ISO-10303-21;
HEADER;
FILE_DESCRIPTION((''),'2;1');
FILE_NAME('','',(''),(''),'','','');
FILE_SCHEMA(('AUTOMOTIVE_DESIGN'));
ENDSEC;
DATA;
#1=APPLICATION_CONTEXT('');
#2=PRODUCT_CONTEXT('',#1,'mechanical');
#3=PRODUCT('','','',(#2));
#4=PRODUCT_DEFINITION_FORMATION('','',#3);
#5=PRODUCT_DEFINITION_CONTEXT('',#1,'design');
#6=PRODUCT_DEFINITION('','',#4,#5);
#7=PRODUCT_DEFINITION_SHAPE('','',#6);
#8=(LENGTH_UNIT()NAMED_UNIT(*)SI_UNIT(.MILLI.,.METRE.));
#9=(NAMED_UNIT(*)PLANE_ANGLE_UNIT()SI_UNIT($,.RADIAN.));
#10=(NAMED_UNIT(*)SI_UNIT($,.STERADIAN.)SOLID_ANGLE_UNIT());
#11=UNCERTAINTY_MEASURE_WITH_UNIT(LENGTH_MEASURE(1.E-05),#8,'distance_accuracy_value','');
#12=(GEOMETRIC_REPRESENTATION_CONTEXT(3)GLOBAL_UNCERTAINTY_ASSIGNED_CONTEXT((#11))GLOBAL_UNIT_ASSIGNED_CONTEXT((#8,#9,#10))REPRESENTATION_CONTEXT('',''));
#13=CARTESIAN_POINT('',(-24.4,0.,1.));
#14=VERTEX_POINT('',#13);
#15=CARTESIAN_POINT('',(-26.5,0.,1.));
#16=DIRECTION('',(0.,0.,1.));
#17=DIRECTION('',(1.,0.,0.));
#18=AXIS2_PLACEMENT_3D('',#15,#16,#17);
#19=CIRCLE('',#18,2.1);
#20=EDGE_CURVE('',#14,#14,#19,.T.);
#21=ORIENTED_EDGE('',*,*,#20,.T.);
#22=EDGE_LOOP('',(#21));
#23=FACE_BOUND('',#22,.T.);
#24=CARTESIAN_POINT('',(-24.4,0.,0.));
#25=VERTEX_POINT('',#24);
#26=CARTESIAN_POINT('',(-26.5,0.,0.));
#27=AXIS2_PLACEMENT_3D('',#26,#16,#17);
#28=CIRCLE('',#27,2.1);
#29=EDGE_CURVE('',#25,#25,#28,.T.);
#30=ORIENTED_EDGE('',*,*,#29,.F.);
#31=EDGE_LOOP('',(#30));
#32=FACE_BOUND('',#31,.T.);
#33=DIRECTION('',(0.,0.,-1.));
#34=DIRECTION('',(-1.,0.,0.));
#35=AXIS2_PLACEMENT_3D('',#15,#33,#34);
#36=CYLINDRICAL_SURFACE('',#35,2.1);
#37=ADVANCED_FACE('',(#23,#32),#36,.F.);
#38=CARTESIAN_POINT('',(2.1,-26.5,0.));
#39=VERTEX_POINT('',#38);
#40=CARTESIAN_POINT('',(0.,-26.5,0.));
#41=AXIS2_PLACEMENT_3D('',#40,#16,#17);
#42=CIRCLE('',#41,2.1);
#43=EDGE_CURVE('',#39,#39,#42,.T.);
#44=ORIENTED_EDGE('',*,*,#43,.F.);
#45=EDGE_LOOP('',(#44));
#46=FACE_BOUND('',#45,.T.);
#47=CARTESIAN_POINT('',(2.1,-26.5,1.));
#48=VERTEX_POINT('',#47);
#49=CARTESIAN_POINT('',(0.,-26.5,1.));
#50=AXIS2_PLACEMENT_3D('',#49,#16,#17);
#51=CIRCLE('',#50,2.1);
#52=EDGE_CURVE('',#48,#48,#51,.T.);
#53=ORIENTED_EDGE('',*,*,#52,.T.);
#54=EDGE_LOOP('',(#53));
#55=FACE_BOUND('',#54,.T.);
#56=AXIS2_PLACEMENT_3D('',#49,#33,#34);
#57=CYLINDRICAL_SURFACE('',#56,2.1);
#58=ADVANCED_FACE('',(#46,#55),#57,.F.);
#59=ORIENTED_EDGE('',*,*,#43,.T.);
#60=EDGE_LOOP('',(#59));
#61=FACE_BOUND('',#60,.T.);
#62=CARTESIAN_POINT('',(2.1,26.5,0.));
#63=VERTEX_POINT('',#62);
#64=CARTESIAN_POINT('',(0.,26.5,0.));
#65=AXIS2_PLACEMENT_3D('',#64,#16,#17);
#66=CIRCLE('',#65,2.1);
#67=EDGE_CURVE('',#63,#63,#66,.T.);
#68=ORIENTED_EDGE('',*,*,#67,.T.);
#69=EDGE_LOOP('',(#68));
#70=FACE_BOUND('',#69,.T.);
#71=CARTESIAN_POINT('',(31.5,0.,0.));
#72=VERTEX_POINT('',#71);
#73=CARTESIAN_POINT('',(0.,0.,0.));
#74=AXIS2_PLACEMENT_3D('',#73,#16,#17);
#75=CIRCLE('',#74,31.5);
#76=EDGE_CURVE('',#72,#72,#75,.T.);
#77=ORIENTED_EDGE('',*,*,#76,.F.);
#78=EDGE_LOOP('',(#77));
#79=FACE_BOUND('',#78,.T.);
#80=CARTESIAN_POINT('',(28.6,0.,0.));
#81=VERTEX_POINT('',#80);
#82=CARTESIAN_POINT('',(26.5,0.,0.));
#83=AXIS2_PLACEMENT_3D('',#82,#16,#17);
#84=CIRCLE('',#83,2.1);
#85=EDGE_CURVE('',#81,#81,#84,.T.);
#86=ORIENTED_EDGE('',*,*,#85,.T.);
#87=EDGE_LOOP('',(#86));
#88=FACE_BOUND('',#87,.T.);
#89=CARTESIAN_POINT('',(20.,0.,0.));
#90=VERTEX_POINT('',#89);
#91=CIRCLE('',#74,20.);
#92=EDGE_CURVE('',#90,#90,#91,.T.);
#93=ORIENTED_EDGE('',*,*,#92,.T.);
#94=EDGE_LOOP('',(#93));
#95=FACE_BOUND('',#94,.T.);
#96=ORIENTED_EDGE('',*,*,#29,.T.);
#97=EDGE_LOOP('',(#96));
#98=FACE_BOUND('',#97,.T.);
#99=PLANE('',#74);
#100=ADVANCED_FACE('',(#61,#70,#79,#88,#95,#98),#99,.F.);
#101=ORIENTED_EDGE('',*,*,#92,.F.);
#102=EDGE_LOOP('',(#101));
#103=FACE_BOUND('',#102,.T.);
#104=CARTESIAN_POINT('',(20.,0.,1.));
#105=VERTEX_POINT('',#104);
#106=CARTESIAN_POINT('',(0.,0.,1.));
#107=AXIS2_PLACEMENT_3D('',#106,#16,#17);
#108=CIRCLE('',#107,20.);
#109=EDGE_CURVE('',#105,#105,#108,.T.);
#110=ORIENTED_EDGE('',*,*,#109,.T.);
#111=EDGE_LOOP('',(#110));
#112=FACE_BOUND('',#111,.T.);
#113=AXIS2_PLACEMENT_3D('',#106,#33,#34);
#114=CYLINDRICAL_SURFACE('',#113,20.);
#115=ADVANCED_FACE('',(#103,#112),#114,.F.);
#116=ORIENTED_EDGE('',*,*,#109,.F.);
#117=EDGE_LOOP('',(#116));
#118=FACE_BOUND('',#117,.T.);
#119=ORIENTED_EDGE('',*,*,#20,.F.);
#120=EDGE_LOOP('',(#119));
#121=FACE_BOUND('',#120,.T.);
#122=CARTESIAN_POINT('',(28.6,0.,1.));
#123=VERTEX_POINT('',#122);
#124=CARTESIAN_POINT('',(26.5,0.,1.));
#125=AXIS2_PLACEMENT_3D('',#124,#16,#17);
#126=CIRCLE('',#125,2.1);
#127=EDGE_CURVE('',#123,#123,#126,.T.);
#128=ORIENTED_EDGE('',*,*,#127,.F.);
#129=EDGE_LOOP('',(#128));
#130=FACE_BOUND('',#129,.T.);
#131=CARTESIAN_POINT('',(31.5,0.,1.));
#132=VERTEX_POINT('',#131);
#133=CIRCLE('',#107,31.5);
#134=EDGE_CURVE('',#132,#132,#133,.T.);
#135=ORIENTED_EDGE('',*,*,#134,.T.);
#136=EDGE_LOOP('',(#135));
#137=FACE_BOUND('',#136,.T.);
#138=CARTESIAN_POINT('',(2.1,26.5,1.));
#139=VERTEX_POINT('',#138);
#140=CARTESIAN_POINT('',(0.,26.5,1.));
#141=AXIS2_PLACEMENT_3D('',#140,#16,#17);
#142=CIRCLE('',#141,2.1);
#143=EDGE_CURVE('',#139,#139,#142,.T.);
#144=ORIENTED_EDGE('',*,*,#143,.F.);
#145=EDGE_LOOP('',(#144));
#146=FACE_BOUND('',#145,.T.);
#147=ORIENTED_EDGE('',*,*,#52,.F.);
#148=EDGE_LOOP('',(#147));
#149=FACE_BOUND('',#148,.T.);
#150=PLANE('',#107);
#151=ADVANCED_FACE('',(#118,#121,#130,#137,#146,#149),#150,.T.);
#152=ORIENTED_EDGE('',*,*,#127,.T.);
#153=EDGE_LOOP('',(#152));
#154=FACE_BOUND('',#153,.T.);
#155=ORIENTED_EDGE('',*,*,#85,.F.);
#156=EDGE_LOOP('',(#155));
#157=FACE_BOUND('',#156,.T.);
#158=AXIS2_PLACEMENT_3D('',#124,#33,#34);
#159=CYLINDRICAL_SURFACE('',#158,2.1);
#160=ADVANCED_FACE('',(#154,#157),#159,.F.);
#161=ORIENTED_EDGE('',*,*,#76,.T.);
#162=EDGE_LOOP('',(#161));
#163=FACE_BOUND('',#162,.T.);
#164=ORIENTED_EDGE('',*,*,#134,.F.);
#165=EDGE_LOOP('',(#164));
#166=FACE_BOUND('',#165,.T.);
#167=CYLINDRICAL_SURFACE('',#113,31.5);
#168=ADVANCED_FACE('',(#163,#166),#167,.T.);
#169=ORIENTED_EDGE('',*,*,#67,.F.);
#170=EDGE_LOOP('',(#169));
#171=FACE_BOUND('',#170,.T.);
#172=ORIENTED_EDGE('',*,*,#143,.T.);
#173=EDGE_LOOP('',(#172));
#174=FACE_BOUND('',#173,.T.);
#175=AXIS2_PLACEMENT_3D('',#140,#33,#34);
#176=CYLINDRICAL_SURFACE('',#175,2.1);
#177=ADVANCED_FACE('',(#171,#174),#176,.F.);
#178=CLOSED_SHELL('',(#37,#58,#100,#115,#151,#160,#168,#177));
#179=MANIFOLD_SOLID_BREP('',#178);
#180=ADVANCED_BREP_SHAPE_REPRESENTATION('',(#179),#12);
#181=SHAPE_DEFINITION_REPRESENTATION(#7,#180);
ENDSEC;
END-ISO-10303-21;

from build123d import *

# Parameters (mm, degrees)
SKETCH_1_R      = 31.5
SKETCH_1_R_2    = 20
SKETCH_1_R_3    = 2.1
EXTRUDE_1_DEPTH = 1


with BuildPart() as part:
    # 草图1 → 凸台-拉伸1 (new body)
    with BuildSketch(Plane.XY):
        Circle(SKETCH_1_R)
        Circle(SKETCH_1_R_2, mode=Mode.SUBTRACT)
        with Locations((0, 26.5)):
            Circle(SKETCH_1_R_3, mode=Mode.SUBTRACT)
        with Locations((26.5, 0)):
            Circle(SKETCH_1_R_3, mode=Mode.SUBTRACT)
        with Locations((0, -26.5)):
            Circle(SKETCH_1_R_3, mode=Mode.SUBTRACT)
        with Locations((-26.5, 0)):
            Circle(SKETCH_1_R_3, mode=Mode.SUBTRACT)
    extrude(amount=EXTRUDE_1_DEPTH)


solid = part.part
